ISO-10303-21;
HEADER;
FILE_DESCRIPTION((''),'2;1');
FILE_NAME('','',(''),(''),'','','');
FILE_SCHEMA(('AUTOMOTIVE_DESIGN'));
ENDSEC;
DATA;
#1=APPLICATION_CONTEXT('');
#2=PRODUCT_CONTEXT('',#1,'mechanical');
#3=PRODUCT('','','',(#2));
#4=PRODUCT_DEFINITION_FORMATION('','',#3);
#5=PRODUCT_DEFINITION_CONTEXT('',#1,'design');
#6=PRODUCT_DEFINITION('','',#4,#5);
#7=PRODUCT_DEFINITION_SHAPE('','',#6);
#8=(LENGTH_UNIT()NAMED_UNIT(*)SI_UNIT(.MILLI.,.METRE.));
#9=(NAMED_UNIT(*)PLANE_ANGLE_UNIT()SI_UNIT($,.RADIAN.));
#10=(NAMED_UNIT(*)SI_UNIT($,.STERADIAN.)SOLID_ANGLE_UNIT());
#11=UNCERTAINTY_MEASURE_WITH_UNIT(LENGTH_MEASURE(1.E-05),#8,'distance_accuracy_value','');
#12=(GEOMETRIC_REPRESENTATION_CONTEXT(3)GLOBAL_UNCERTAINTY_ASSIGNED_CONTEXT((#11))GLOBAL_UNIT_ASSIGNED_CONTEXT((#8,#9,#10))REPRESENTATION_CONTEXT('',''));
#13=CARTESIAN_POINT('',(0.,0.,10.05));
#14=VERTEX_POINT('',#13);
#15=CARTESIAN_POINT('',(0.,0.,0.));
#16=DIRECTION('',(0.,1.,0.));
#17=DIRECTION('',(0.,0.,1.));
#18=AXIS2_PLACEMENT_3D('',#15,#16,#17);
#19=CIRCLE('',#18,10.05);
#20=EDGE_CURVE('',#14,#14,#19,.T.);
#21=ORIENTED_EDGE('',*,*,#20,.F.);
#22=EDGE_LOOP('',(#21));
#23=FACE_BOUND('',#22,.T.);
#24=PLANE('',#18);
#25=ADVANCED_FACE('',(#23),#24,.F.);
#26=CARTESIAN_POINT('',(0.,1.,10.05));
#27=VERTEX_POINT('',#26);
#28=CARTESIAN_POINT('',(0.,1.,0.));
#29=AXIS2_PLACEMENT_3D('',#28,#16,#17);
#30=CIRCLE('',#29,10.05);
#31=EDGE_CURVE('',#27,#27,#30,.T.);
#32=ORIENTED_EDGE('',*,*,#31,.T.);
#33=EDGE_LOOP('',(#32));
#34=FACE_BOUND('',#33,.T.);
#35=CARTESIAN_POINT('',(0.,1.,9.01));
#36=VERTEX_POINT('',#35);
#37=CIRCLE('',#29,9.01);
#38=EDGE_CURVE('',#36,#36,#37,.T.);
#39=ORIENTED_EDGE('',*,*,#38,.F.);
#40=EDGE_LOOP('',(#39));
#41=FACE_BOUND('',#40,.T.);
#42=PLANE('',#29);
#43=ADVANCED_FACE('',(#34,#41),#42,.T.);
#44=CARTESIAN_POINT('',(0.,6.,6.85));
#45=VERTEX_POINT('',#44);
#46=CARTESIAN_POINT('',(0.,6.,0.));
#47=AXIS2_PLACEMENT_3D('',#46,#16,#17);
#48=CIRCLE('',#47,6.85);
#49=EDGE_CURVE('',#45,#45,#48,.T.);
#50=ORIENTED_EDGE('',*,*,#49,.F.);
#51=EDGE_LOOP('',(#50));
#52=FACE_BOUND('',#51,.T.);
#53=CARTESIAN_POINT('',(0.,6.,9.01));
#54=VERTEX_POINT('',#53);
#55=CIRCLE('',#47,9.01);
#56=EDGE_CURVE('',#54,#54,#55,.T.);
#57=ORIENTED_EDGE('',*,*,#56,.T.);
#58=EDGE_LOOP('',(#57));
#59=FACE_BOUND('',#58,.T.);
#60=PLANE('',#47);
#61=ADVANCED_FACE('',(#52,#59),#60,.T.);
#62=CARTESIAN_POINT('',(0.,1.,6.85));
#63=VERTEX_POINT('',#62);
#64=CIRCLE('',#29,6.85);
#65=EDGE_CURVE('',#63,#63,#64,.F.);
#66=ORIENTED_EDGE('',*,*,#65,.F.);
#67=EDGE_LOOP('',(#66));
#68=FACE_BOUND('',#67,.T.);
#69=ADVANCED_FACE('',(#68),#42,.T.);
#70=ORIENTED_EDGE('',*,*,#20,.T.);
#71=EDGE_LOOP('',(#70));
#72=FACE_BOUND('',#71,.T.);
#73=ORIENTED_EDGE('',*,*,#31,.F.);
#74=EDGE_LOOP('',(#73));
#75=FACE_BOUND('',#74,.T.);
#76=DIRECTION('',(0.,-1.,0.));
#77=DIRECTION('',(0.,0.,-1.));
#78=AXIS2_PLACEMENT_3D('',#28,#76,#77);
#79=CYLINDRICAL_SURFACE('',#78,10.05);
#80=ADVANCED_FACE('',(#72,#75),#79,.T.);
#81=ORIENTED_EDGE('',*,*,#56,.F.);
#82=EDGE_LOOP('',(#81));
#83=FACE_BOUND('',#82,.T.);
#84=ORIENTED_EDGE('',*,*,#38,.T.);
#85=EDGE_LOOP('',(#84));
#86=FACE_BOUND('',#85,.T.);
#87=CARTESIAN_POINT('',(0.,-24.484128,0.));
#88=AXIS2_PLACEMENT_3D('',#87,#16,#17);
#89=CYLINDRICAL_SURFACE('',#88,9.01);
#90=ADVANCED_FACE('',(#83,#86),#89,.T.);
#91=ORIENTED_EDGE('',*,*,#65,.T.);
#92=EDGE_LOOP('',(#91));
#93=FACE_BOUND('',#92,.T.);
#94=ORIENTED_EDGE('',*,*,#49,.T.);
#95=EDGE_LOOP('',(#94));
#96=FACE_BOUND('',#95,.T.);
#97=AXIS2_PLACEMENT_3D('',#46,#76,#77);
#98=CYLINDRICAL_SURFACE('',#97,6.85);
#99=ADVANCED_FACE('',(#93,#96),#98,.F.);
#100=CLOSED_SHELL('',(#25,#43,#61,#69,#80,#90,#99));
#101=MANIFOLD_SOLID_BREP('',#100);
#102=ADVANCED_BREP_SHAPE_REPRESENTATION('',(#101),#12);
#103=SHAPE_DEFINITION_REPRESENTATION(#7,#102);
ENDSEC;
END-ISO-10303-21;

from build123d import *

# Parameters (mm, degrees)
SKETCH1_R           = 10.05
BOSS_EXTRUDE1_DEPTH = 1
SKETCH2_R           = 8.85
SKETCH2_R_2         = 6.85
BOSS_EXTRUDE2_DEPTH = 5
BOSS_EXTRUDE4_START = -5
SKETCH3_R           = 8.95
SKETCH3_R_2         = 6.85
BOSS_EXTRUDE4_DEPTH = 5
BOSS_EXTRUDE5_START = -5
SKETCH4_R           = 9.01
SKETCH4_R_2         = 6.85
BOSS_EXTRUDE5_DEPTH = 5


with BuildPart() as part:
    # Sketch1 → Boss-Extrude1 (new body)
    with BuildSketch(Plane(origin=(0, 0, 0), x_dir=(1, 0, 0), z_dir=(0, 1, 0))):
        with Locations(Location((0, 0, 0), (0, 0, 270))):
            Circle(SKETCH1_R)
    extrude(amount=BOSS_EXTRUDE1_DEPTH)

    # Sketch2 → Boss-Extrude2 (add)
    with BuildSketch(Plane(origin=(0, 1, 0), x_dir=(1, 0, 0), z_dir=(0, 1, 0))):
        with Locations(Location((0, 0, 0), (0, 0, 270))):
            Circle(SKETCH2_R)
        with Locations(Location((0, 0, 0), (0, 0, 270))):
            Circle(SKETCH2_R_2, mode=Mode.SUBTRACT)
    extrude(amount=BOSS_EXTRUDE2_DEPTH)

    # Sketch3 → Boss-Extrude4 (add)
    with BuildSketch(Plane(origin=(0, 6, 0), x_dir=(1, 0, 0), z_dir=(0, 1, 0)).offset(BOSS_EXTRUDE4_START)):
        with Locations(Location((0, 0, 0), (0, 0, 270))):
            Circle(SKETCH3_R)
        with Locations(Location((0, 0, 0), (0, 0, 270))):
            Circle(SKETCH3_R_2, mode=Mode.SUBTRACT)
    extrude(amount=BOSS_EXTRUDE4_DEPTH)

    # Sketch4 → Boss-Extrude5 (add)
    with BuildSketch(Plane(origin=(0, 6, 0), x_dir=(1, 0, 0), z_dir=(0, 1, 0)).offset(BOSS_EXTRUDE5_START)):
        with Locations(Location((0, 0, 0), (0, 0, 270))):
            Circle(SKETCH4_R)
        with Locations(Location((0, 0, 0), (0, 0, 270))):
            Circle(SKETCH4_R_2, mode=Mode.SUBTRACT)
    extrude(amount=BOSS_EXTRUDE5_DEPTH)


solid = part.part
